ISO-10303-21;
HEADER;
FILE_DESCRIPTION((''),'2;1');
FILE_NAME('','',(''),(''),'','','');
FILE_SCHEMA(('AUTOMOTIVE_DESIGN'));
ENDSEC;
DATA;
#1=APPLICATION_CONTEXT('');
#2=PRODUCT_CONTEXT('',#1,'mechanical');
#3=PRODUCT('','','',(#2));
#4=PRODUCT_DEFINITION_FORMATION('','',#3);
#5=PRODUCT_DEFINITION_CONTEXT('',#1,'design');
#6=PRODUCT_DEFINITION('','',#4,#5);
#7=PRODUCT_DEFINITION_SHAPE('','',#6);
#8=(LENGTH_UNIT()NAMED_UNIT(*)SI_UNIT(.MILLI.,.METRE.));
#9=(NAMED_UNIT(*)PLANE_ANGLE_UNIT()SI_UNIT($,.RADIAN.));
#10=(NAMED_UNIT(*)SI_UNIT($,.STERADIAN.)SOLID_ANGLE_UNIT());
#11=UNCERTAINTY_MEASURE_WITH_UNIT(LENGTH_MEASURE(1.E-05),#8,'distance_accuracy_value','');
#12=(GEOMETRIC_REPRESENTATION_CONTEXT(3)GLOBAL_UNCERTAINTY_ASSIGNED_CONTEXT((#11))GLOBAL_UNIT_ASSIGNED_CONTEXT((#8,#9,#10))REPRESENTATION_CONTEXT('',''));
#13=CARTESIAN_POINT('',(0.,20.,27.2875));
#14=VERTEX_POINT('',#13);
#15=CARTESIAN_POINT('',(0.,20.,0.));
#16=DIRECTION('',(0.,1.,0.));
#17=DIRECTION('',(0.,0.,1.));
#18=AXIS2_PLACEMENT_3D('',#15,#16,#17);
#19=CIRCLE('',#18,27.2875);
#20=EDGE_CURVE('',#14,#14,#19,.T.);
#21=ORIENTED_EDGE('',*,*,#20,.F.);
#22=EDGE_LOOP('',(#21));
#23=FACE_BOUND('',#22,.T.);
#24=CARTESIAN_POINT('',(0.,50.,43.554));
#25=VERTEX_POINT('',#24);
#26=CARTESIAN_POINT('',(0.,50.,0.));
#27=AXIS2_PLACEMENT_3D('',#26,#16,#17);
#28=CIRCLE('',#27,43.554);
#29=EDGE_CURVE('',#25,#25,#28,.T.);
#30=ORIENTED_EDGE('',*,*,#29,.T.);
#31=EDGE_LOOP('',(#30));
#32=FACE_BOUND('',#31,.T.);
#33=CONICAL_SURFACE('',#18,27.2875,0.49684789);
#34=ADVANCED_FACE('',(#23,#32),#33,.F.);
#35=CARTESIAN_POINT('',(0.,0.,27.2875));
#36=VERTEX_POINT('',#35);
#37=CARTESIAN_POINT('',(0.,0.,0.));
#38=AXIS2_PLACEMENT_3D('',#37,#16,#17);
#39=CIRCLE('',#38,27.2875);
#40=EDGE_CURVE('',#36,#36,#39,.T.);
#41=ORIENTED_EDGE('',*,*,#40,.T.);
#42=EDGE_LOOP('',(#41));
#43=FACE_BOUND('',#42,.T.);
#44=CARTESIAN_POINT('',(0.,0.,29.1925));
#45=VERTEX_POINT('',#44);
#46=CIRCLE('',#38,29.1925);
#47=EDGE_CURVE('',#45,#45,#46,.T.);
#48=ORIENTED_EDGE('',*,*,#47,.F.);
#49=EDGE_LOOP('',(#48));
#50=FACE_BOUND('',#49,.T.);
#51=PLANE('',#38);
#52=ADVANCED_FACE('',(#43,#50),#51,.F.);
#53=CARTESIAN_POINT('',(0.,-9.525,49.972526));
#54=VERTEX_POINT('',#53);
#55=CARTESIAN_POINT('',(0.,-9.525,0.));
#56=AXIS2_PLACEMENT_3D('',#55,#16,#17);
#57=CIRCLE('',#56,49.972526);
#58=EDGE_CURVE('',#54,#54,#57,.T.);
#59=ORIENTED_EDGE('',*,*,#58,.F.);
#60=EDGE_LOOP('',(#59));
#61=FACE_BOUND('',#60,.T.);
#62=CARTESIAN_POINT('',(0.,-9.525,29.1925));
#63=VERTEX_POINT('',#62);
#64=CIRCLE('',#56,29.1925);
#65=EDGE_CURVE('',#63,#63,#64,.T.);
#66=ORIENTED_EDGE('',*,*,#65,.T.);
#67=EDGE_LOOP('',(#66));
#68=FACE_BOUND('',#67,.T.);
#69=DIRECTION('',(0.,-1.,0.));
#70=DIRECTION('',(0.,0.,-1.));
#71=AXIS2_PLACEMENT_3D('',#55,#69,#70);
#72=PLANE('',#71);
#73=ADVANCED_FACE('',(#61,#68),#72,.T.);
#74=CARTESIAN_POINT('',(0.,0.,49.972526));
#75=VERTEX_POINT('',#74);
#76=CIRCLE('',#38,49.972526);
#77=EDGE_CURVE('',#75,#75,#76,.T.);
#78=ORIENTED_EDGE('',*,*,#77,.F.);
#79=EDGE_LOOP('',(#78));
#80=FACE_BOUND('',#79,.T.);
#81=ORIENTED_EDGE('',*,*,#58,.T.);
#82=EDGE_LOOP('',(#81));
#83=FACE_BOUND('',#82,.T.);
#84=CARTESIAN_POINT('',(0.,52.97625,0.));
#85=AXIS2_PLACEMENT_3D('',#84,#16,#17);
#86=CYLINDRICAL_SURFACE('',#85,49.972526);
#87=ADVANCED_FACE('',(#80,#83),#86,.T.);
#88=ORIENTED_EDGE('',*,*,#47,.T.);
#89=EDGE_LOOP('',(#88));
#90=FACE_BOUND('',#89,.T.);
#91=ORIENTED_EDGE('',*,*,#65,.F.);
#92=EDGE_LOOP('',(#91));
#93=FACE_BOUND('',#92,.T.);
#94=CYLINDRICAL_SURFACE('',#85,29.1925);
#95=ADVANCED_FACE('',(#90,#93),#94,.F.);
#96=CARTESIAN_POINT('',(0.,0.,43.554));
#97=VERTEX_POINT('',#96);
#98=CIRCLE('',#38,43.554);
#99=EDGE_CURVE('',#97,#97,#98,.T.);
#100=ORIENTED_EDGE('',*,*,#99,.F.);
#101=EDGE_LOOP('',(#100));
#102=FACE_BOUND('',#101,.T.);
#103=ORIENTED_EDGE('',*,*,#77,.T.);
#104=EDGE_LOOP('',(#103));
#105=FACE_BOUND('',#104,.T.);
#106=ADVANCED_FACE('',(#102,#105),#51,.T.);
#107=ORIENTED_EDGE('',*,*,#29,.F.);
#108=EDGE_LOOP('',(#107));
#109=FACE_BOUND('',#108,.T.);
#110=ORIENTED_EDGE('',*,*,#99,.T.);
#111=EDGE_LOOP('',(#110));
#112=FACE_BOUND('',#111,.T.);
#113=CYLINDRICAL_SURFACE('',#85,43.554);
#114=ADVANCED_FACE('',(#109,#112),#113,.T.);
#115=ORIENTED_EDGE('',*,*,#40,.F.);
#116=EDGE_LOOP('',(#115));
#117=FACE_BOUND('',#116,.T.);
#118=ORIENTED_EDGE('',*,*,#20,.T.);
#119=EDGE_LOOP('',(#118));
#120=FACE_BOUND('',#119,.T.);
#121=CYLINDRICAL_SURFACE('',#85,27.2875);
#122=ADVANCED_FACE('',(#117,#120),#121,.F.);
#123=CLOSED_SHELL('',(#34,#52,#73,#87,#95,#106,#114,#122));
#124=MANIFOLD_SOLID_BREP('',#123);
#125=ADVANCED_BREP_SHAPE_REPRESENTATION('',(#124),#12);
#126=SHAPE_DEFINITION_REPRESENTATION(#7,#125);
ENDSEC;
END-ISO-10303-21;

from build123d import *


with BuildPart() as part:
    # Sketch2 → Revolve1 (revolve)
    with BuildSketch(Plane(origin=(0, 0, 0), x_dir=(0, 1, 0), z_dir=(0, 0, 1)), mode=Mode.PRIVATE) as revolve1_sk:
        Polygon((0, 43.554), (0, 29.1925), (0, 27.2875), (20, 27.2875), (20, 43.554), align=None)
        Polygon((0, 49.972526435), (-9.525, 49.972526435), (-9.525, 29.1925), (0, 29.1925), (0, 43.554), align=None)
        Polygon((20, 27.2875), (50, 43.554), (20, 43.554), align=None)
    revolve(revolve1_sk.sketch.rotate(Axis((0, 52.97625, 0), (0, -1, 0)), 270), axis=Axis((0, 52.97625, 0), (0, -1, 0)))


solid = part.part
